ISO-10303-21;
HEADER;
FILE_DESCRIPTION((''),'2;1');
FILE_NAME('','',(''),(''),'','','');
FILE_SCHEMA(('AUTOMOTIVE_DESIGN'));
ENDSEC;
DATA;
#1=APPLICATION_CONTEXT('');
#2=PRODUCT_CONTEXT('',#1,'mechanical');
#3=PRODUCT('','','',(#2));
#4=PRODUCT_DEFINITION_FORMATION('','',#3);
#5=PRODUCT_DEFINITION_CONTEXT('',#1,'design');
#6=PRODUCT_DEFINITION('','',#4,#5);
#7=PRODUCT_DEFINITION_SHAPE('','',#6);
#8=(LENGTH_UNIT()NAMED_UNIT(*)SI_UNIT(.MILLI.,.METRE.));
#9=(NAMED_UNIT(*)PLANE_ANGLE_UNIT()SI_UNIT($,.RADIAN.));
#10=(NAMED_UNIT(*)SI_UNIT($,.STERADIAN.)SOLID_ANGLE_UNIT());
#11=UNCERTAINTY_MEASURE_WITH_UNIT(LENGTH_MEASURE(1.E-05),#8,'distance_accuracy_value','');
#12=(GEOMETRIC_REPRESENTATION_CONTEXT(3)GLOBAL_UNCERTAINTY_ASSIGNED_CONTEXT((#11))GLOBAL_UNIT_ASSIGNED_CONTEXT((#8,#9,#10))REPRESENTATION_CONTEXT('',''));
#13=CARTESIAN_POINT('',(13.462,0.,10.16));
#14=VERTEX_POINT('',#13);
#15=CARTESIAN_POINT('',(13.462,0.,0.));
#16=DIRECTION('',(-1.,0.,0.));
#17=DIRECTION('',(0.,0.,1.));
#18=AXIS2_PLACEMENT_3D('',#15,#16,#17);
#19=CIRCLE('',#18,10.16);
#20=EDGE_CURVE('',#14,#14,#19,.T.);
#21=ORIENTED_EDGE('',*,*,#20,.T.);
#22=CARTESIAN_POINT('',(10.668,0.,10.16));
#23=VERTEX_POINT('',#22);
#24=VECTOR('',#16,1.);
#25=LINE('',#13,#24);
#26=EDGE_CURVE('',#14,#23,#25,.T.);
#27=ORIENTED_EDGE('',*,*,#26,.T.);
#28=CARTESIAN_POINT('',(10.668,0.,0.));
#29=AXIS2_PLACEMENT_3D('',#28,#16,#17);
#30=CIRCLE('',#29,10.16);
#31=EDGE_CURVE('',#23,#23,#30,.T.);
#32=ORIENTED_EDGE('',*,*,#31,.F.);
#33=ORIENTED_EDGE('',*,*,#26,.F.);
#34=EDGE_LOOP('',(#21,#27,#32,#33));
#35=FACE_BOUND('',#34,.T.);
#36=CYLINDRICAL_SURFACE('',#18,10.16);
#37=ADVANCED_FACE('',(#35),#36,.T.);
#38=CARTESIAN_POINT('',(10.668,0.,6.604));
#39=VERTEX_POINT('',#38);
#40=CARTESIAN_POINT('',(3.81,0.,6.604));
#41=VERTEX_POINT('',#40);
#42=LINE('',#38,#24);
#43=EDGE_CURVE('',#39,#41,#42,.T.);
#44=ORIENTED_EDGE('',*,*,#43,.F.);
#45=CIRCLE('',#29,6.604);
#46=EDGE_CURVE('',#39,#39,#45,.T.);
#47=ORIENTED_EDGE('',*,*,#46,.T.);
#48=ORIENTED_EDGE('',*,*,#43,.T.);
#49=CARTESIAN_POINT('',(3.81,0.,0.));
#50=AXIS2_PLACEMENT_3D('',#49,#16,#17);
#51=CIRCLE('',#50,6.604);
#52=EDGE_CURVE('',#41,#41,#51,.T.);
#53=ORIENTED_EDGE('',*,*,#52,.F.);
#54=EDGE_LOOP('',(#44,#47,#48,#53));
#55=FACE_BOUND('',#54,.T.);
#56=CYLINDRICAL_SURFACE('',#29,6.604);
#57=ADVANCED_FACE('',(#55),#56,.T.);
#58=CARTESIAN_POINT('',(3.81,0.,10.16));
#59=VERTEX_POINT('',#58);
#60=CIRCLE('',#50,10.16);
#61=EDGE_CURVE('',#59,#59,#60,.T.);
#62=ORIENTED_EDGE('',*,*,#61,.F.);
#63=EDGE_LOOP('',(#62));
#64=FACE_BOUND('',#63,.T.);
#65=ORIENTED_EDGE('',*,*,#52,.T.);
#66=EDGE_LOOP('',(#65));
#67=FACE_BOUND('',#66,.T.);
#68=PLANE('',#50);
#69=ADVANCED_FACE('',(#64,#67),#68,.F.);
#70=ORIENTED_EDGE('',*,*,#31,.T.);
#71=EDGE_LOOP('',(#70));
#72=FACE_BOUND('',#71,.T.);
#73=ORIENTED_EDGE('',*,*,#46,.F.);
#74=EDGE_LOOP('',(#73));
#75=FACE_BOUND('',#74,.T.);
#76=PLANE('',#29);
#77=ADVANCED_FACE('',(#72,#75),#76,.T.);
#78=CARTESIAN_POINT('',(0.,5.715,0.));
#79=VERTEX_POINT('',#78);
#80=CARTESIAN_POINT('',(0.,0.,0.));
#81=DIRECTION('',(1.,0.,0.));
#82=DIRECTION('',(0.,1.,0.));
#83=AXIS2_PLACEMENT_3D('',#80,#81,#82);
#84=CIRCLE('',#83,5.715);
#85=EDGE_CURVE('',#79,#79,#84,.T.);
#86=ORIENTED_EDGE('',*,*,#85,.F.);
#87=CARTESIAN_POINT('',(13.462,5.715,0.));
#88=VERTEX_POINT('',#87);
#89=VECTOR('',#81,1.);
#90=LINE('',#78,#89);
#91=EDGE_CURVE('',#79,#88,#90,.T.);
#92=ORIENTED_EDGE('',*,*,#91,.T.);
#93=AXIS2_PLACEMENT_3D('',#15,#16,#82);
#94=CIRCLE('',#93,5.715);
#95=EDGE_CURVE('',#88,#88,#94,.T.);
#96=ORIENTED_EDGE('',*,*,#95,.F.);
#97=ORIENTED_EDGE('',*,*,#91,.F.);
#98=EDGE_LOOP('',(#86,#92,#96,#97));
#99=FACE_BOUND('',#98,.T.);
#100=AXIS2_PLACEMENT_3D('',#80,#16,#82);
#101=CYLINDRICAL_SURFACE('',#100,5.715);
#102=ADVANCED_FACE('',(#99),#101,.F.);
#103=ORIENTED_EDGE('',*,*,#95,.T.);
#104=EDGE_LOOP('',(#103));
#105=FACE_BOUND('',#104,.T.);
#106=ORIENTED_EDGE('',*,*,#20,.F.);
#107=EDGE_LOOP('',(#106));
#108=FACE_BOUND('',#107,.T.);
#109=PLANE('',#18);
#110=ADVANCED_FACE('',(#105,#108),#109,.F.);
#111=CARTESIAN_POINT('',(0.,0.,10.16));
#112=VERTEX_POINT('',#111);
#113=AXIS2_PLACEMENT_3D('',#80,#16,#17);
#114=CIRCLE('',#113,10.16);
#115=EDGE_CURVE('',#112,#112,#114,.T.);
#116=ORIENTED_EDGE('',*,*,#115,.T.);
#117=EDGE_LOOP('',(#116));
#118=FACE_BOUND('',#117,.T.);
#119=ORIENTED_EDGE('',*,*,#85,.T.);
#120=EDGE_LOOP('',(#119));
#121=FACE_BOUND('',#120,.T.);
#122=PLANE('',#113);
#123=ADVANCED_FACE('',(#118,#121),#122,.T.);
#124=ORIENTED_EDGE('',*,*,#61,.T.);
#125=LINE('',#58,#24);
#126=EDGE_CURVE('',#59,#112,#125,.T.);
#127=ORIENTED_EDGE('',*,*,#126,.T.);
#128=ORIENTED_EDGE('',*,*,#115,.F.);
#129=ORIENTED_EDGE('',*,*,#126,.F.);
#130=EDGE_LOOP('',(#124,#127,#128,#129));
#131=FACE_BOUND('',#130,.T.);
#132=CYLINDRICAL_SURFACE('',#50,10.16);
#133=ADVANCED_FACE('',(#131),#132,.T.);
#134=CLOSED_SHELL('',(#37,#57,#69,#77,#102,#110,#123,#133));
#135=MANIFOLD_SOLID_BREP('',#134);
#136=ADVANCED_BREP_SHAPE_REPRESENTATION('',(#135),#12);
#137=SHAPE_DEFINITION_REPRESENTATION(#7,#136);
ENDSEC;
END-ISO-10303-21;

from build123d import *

# Parameters (mm, degrees)
F2_R     = 5.715
F3_DEPTH = 13.463


with BuildPart() as f1:
    # F0 (on Front) → F1 (revolve)
    with BuildSketch(Plane.XZ):
        Polygon((0, 10.16), (0, 0), (13.462, 0), (13.462, 10.16), (10.668, 10.16), (10.668, 6.604), (3.81, 6.604), (3.81, 10.16), align=None)
    revolve(axis=Axis((6.731, 0, 0), (-1, 0, 0)))

    # F2 (on Right) → F3 (cut, through all)
    with BuildSketch(Plane.YZ):
        Circle(F2_R)
    extrude(amount=F3_DEPTH, mode=Mode.SUBTRACT)


solid = f1.part
